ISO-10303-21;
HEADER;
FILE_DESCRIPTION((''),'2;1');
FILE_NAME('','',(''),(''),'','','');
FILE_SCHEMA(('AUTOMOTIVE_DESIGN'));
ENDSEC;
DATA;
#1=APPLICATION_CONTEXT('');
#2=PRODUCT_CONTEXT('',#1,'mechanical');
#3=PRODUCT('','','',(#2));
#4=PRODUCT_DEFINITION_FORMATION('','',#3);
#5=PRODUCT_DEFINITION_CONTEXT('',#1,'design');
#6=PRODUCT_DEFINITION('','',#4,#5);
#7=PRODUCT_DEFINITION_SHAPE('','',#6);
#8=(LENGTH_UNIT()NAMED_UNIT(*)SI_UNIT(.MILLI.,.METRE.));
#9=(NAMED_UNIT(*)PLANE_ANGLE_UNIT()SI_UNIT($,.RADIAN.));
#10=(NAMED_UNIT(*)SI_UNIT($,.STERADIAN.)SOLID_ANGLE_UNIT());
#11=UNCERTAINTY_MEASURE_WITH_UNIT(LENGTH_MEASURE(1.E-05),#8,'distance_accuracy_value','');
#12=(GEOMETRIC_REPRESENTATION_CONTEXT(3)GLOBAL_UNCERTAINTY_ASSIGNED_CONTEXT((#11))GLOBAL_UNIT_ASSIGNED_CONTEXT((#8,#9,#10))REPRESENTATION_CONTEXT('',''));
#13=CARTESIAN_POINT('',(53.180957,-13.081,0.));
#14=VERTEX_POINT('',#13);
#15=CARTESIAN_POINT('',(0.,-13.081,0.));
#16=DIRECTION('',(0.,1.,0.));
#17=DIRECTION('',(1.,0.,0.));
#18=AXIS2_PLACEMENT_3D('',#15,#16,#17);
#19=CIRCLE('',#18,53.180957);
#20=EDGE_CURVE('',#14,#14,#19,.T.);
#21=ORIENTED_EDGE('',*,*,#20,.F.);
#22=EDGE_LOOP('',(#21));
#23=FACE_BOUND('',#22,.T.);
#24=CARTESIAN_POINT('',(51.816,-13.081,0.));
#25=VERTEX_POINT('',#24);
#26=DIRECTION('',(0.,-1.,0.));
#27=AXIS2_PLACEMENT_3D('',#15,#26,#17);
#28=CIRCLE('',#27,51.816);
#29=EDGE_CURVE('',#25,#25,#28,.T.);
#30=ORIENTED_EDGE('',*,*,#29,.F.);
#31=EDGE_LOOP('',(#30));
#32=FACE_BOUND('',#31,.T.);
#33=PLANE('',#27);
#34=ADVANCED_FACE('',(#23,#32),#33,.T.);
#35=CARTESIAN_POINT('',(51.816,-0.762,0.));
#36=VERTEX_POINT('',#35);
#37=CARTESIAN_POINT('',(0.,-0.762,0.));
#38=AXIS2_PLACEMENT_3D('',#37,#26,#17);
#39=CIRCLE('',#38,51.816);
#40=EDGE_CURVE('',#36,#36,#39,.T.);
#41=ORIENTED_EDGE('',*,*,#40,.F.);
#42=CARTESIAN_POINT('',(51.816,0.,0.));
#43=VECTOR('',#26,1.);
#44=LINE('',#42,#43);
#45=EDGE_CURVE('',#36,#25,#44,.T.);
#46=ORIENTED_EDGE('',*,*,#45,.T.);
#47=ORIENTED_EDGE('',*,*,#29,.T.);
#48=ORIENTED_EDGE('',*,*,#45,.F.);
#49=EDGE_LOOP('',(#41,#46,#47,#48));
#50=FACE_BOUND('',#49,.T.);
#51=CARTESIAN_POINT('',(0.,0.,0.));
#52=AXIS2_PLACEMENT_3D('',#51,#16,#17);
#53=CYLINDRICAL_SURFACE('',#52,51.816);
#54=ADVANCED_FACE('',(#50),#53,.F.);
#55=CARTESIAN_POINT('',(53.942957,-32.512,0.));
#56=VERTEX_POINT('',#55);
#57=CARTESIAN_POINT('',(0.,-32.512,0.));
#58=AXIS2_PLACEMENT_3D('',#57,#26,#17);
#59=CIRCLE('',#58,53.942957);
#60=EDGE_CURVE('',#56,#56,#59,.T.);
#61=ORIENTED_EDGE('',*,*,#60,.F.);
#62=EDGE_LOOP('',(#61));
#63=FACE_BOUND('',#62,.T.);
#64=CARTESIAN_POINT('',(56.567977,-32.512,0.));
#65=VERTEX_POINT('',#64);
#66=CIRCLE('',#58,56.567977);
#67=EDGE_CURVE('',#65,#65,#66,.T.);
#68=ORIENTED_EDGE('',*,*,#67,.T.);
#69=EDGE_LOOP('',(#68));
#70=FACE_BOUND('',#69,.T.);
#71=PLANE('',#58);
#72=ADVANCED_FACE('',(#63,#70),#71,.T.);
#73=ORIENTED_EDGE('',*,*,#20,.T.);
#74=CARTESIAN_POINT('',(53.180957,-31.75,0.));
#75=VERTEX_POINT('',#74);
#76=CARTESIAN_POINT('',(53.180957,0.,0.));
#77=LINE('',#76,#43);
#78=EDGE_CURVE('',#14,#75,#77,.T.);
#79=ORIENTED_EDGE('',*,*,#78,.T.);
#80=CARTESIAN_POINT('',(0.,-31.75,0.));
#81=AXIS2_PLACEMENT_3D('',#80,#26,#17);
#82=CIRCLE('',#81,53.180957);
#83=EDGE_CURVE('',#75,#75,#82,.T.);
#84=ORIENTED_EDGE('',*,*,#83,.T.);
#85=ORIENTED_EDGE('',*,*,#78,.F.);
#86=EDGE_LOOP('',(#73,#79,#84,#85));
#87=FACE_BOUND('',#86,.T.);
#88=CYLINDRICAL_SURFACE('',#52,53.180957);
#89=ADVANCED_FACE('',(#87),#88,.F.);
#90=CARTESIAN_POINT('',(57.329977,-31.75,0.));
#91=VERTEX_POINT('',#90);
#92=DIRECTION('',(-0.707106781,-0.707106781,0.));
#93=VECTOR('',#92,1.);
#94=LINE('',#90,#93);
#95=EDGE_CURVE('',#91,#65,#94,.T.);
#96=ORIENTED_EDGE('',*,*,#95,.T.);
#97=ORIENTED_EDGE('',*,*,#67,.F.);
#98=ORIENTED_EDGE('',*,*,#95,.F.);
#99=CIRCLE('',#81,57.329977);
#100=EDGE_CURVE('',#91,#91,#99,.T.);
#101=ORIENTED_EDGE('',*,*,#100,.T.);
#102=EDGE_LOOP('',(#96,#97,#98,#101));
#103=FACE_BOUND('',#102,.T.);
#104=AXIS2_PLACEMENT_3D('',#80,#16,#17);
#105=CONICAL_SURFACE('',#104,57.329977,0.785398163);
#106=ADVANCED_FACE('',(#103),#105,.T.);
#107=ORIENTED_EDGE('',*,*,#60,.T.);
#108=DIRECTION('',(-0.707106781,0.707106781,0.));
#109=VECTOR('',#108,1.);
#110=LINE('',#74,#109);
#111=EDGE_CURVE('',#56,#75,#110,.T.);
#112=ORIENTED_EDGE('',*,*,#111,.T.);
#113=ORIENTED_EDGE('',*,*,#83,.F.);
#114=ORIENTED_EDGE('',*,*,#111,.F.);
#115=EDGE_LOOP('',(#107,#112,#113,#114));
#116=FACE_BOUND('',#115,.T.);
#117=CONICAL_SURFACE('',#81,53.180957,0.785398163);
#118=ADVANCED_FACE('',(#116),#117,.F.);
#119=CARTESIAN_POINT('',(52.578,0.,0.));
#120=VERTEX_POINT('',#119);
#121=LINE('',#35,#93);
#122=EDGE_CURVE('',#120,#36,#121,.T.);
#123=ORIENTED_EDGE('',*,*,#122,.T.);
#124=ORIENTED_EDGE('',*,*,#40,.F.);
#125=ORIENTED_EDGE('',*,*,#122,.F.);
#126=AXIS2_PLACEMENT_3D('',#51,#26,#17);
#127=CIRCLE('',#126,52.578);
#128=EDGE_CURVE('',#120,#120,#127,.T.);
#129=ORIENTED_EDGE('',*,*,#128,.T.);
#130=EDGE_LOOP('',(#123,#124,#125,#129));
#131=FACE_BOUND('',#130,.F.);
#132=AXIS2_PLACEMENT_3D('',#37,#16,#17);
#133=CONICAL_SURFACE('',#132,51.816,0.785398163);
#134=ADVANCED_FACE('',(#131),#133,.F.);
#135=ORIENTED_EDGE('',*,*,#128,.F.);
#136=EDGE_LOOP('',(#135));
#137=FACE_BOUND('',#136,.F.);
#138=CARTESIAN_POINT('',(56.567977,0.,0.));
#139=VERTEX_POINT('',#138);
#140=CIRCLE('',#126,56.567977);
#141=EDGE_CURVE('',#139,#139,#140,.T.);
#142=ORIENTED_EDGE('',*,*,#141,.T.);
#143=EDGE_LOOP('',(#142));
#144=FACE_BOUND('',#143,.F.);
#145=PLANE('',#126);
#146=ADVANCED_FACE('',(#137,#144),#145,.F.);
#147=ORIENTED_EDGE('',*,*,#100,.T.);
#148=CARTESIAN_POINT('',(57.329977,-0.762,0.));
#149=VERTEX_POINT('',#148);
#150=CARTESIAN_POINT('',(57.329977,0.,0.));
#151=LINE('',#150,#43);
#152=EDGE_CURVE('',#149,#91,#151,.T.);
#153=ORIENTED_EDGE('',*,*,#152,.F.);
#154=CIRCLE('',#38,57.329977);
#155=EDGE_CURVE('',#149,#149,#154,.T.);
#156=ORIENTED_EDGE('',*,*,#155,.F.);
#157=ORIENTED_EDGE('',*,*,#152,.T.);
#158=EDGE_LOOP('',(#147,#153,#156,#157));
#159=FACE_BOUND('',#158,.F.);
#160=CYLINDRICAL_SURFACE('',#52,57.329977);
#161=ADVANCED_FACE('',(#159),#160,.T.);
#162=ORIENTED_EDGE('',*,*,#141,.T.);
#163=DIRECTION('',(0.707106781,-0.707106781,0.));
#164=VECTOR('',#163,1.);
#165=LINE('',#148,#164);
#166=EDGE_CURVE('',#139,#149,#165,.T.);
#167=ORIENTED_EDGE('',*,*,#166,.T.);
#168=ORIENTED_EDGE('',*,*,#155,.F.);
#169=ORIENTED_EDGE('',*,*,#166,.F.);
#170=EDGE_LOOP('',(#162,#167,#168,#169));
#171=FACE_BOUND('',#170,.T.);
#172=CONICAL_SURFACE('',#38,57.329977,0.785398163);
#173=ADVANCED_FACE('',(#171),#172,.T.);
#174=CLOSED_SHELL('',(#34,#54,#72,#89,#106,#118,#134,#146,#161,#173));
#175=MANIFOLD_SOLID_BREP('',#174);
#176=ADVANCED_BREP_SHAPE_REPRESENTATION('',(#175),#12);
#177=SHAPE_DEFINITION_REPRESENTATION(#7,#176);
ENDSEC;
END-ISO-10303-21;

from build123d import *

# Parameters (mm, degrees)
F0_R     = 57.329977
F0_R_2   = 53.180957
F1_DEPTH = 32.512
F2_R     = 53.391542
F2_R_2   = 51.816
F3_DEPTH = 13.081
F4_SIZE  = 0.762


with BuildPart() as f1:
    # F0 (on Front) → F1 (new body)
    with BuildSketch(Plane.XZ):
        Circle(F0_R)
        Circle(F0_R_2, mode=Mode.SUBTRACT)
    extrude(amount=F1_DEPTH)

    # F2 (on Front) → F3 (join)
    with BuildSketch(Plane.XZ):
        Circle(F2_R)
        Circle(F2_R_2, mode=Mode.SUBTRACT)
    extrude(amount=F3_DEPTH)

    # F4
    f4_edges = [f1.edges().sort_by_distance(p)[0] for p in [
        (-53.180957, -32.512, 0),
        (-51.816, 0, 0),
        (-57.329977, -32.512, 0),
        (-57.329977, 0, 0),
    ]]
    chamfer(f4_edges, length=F4_SIZE)


solid = f1.part
